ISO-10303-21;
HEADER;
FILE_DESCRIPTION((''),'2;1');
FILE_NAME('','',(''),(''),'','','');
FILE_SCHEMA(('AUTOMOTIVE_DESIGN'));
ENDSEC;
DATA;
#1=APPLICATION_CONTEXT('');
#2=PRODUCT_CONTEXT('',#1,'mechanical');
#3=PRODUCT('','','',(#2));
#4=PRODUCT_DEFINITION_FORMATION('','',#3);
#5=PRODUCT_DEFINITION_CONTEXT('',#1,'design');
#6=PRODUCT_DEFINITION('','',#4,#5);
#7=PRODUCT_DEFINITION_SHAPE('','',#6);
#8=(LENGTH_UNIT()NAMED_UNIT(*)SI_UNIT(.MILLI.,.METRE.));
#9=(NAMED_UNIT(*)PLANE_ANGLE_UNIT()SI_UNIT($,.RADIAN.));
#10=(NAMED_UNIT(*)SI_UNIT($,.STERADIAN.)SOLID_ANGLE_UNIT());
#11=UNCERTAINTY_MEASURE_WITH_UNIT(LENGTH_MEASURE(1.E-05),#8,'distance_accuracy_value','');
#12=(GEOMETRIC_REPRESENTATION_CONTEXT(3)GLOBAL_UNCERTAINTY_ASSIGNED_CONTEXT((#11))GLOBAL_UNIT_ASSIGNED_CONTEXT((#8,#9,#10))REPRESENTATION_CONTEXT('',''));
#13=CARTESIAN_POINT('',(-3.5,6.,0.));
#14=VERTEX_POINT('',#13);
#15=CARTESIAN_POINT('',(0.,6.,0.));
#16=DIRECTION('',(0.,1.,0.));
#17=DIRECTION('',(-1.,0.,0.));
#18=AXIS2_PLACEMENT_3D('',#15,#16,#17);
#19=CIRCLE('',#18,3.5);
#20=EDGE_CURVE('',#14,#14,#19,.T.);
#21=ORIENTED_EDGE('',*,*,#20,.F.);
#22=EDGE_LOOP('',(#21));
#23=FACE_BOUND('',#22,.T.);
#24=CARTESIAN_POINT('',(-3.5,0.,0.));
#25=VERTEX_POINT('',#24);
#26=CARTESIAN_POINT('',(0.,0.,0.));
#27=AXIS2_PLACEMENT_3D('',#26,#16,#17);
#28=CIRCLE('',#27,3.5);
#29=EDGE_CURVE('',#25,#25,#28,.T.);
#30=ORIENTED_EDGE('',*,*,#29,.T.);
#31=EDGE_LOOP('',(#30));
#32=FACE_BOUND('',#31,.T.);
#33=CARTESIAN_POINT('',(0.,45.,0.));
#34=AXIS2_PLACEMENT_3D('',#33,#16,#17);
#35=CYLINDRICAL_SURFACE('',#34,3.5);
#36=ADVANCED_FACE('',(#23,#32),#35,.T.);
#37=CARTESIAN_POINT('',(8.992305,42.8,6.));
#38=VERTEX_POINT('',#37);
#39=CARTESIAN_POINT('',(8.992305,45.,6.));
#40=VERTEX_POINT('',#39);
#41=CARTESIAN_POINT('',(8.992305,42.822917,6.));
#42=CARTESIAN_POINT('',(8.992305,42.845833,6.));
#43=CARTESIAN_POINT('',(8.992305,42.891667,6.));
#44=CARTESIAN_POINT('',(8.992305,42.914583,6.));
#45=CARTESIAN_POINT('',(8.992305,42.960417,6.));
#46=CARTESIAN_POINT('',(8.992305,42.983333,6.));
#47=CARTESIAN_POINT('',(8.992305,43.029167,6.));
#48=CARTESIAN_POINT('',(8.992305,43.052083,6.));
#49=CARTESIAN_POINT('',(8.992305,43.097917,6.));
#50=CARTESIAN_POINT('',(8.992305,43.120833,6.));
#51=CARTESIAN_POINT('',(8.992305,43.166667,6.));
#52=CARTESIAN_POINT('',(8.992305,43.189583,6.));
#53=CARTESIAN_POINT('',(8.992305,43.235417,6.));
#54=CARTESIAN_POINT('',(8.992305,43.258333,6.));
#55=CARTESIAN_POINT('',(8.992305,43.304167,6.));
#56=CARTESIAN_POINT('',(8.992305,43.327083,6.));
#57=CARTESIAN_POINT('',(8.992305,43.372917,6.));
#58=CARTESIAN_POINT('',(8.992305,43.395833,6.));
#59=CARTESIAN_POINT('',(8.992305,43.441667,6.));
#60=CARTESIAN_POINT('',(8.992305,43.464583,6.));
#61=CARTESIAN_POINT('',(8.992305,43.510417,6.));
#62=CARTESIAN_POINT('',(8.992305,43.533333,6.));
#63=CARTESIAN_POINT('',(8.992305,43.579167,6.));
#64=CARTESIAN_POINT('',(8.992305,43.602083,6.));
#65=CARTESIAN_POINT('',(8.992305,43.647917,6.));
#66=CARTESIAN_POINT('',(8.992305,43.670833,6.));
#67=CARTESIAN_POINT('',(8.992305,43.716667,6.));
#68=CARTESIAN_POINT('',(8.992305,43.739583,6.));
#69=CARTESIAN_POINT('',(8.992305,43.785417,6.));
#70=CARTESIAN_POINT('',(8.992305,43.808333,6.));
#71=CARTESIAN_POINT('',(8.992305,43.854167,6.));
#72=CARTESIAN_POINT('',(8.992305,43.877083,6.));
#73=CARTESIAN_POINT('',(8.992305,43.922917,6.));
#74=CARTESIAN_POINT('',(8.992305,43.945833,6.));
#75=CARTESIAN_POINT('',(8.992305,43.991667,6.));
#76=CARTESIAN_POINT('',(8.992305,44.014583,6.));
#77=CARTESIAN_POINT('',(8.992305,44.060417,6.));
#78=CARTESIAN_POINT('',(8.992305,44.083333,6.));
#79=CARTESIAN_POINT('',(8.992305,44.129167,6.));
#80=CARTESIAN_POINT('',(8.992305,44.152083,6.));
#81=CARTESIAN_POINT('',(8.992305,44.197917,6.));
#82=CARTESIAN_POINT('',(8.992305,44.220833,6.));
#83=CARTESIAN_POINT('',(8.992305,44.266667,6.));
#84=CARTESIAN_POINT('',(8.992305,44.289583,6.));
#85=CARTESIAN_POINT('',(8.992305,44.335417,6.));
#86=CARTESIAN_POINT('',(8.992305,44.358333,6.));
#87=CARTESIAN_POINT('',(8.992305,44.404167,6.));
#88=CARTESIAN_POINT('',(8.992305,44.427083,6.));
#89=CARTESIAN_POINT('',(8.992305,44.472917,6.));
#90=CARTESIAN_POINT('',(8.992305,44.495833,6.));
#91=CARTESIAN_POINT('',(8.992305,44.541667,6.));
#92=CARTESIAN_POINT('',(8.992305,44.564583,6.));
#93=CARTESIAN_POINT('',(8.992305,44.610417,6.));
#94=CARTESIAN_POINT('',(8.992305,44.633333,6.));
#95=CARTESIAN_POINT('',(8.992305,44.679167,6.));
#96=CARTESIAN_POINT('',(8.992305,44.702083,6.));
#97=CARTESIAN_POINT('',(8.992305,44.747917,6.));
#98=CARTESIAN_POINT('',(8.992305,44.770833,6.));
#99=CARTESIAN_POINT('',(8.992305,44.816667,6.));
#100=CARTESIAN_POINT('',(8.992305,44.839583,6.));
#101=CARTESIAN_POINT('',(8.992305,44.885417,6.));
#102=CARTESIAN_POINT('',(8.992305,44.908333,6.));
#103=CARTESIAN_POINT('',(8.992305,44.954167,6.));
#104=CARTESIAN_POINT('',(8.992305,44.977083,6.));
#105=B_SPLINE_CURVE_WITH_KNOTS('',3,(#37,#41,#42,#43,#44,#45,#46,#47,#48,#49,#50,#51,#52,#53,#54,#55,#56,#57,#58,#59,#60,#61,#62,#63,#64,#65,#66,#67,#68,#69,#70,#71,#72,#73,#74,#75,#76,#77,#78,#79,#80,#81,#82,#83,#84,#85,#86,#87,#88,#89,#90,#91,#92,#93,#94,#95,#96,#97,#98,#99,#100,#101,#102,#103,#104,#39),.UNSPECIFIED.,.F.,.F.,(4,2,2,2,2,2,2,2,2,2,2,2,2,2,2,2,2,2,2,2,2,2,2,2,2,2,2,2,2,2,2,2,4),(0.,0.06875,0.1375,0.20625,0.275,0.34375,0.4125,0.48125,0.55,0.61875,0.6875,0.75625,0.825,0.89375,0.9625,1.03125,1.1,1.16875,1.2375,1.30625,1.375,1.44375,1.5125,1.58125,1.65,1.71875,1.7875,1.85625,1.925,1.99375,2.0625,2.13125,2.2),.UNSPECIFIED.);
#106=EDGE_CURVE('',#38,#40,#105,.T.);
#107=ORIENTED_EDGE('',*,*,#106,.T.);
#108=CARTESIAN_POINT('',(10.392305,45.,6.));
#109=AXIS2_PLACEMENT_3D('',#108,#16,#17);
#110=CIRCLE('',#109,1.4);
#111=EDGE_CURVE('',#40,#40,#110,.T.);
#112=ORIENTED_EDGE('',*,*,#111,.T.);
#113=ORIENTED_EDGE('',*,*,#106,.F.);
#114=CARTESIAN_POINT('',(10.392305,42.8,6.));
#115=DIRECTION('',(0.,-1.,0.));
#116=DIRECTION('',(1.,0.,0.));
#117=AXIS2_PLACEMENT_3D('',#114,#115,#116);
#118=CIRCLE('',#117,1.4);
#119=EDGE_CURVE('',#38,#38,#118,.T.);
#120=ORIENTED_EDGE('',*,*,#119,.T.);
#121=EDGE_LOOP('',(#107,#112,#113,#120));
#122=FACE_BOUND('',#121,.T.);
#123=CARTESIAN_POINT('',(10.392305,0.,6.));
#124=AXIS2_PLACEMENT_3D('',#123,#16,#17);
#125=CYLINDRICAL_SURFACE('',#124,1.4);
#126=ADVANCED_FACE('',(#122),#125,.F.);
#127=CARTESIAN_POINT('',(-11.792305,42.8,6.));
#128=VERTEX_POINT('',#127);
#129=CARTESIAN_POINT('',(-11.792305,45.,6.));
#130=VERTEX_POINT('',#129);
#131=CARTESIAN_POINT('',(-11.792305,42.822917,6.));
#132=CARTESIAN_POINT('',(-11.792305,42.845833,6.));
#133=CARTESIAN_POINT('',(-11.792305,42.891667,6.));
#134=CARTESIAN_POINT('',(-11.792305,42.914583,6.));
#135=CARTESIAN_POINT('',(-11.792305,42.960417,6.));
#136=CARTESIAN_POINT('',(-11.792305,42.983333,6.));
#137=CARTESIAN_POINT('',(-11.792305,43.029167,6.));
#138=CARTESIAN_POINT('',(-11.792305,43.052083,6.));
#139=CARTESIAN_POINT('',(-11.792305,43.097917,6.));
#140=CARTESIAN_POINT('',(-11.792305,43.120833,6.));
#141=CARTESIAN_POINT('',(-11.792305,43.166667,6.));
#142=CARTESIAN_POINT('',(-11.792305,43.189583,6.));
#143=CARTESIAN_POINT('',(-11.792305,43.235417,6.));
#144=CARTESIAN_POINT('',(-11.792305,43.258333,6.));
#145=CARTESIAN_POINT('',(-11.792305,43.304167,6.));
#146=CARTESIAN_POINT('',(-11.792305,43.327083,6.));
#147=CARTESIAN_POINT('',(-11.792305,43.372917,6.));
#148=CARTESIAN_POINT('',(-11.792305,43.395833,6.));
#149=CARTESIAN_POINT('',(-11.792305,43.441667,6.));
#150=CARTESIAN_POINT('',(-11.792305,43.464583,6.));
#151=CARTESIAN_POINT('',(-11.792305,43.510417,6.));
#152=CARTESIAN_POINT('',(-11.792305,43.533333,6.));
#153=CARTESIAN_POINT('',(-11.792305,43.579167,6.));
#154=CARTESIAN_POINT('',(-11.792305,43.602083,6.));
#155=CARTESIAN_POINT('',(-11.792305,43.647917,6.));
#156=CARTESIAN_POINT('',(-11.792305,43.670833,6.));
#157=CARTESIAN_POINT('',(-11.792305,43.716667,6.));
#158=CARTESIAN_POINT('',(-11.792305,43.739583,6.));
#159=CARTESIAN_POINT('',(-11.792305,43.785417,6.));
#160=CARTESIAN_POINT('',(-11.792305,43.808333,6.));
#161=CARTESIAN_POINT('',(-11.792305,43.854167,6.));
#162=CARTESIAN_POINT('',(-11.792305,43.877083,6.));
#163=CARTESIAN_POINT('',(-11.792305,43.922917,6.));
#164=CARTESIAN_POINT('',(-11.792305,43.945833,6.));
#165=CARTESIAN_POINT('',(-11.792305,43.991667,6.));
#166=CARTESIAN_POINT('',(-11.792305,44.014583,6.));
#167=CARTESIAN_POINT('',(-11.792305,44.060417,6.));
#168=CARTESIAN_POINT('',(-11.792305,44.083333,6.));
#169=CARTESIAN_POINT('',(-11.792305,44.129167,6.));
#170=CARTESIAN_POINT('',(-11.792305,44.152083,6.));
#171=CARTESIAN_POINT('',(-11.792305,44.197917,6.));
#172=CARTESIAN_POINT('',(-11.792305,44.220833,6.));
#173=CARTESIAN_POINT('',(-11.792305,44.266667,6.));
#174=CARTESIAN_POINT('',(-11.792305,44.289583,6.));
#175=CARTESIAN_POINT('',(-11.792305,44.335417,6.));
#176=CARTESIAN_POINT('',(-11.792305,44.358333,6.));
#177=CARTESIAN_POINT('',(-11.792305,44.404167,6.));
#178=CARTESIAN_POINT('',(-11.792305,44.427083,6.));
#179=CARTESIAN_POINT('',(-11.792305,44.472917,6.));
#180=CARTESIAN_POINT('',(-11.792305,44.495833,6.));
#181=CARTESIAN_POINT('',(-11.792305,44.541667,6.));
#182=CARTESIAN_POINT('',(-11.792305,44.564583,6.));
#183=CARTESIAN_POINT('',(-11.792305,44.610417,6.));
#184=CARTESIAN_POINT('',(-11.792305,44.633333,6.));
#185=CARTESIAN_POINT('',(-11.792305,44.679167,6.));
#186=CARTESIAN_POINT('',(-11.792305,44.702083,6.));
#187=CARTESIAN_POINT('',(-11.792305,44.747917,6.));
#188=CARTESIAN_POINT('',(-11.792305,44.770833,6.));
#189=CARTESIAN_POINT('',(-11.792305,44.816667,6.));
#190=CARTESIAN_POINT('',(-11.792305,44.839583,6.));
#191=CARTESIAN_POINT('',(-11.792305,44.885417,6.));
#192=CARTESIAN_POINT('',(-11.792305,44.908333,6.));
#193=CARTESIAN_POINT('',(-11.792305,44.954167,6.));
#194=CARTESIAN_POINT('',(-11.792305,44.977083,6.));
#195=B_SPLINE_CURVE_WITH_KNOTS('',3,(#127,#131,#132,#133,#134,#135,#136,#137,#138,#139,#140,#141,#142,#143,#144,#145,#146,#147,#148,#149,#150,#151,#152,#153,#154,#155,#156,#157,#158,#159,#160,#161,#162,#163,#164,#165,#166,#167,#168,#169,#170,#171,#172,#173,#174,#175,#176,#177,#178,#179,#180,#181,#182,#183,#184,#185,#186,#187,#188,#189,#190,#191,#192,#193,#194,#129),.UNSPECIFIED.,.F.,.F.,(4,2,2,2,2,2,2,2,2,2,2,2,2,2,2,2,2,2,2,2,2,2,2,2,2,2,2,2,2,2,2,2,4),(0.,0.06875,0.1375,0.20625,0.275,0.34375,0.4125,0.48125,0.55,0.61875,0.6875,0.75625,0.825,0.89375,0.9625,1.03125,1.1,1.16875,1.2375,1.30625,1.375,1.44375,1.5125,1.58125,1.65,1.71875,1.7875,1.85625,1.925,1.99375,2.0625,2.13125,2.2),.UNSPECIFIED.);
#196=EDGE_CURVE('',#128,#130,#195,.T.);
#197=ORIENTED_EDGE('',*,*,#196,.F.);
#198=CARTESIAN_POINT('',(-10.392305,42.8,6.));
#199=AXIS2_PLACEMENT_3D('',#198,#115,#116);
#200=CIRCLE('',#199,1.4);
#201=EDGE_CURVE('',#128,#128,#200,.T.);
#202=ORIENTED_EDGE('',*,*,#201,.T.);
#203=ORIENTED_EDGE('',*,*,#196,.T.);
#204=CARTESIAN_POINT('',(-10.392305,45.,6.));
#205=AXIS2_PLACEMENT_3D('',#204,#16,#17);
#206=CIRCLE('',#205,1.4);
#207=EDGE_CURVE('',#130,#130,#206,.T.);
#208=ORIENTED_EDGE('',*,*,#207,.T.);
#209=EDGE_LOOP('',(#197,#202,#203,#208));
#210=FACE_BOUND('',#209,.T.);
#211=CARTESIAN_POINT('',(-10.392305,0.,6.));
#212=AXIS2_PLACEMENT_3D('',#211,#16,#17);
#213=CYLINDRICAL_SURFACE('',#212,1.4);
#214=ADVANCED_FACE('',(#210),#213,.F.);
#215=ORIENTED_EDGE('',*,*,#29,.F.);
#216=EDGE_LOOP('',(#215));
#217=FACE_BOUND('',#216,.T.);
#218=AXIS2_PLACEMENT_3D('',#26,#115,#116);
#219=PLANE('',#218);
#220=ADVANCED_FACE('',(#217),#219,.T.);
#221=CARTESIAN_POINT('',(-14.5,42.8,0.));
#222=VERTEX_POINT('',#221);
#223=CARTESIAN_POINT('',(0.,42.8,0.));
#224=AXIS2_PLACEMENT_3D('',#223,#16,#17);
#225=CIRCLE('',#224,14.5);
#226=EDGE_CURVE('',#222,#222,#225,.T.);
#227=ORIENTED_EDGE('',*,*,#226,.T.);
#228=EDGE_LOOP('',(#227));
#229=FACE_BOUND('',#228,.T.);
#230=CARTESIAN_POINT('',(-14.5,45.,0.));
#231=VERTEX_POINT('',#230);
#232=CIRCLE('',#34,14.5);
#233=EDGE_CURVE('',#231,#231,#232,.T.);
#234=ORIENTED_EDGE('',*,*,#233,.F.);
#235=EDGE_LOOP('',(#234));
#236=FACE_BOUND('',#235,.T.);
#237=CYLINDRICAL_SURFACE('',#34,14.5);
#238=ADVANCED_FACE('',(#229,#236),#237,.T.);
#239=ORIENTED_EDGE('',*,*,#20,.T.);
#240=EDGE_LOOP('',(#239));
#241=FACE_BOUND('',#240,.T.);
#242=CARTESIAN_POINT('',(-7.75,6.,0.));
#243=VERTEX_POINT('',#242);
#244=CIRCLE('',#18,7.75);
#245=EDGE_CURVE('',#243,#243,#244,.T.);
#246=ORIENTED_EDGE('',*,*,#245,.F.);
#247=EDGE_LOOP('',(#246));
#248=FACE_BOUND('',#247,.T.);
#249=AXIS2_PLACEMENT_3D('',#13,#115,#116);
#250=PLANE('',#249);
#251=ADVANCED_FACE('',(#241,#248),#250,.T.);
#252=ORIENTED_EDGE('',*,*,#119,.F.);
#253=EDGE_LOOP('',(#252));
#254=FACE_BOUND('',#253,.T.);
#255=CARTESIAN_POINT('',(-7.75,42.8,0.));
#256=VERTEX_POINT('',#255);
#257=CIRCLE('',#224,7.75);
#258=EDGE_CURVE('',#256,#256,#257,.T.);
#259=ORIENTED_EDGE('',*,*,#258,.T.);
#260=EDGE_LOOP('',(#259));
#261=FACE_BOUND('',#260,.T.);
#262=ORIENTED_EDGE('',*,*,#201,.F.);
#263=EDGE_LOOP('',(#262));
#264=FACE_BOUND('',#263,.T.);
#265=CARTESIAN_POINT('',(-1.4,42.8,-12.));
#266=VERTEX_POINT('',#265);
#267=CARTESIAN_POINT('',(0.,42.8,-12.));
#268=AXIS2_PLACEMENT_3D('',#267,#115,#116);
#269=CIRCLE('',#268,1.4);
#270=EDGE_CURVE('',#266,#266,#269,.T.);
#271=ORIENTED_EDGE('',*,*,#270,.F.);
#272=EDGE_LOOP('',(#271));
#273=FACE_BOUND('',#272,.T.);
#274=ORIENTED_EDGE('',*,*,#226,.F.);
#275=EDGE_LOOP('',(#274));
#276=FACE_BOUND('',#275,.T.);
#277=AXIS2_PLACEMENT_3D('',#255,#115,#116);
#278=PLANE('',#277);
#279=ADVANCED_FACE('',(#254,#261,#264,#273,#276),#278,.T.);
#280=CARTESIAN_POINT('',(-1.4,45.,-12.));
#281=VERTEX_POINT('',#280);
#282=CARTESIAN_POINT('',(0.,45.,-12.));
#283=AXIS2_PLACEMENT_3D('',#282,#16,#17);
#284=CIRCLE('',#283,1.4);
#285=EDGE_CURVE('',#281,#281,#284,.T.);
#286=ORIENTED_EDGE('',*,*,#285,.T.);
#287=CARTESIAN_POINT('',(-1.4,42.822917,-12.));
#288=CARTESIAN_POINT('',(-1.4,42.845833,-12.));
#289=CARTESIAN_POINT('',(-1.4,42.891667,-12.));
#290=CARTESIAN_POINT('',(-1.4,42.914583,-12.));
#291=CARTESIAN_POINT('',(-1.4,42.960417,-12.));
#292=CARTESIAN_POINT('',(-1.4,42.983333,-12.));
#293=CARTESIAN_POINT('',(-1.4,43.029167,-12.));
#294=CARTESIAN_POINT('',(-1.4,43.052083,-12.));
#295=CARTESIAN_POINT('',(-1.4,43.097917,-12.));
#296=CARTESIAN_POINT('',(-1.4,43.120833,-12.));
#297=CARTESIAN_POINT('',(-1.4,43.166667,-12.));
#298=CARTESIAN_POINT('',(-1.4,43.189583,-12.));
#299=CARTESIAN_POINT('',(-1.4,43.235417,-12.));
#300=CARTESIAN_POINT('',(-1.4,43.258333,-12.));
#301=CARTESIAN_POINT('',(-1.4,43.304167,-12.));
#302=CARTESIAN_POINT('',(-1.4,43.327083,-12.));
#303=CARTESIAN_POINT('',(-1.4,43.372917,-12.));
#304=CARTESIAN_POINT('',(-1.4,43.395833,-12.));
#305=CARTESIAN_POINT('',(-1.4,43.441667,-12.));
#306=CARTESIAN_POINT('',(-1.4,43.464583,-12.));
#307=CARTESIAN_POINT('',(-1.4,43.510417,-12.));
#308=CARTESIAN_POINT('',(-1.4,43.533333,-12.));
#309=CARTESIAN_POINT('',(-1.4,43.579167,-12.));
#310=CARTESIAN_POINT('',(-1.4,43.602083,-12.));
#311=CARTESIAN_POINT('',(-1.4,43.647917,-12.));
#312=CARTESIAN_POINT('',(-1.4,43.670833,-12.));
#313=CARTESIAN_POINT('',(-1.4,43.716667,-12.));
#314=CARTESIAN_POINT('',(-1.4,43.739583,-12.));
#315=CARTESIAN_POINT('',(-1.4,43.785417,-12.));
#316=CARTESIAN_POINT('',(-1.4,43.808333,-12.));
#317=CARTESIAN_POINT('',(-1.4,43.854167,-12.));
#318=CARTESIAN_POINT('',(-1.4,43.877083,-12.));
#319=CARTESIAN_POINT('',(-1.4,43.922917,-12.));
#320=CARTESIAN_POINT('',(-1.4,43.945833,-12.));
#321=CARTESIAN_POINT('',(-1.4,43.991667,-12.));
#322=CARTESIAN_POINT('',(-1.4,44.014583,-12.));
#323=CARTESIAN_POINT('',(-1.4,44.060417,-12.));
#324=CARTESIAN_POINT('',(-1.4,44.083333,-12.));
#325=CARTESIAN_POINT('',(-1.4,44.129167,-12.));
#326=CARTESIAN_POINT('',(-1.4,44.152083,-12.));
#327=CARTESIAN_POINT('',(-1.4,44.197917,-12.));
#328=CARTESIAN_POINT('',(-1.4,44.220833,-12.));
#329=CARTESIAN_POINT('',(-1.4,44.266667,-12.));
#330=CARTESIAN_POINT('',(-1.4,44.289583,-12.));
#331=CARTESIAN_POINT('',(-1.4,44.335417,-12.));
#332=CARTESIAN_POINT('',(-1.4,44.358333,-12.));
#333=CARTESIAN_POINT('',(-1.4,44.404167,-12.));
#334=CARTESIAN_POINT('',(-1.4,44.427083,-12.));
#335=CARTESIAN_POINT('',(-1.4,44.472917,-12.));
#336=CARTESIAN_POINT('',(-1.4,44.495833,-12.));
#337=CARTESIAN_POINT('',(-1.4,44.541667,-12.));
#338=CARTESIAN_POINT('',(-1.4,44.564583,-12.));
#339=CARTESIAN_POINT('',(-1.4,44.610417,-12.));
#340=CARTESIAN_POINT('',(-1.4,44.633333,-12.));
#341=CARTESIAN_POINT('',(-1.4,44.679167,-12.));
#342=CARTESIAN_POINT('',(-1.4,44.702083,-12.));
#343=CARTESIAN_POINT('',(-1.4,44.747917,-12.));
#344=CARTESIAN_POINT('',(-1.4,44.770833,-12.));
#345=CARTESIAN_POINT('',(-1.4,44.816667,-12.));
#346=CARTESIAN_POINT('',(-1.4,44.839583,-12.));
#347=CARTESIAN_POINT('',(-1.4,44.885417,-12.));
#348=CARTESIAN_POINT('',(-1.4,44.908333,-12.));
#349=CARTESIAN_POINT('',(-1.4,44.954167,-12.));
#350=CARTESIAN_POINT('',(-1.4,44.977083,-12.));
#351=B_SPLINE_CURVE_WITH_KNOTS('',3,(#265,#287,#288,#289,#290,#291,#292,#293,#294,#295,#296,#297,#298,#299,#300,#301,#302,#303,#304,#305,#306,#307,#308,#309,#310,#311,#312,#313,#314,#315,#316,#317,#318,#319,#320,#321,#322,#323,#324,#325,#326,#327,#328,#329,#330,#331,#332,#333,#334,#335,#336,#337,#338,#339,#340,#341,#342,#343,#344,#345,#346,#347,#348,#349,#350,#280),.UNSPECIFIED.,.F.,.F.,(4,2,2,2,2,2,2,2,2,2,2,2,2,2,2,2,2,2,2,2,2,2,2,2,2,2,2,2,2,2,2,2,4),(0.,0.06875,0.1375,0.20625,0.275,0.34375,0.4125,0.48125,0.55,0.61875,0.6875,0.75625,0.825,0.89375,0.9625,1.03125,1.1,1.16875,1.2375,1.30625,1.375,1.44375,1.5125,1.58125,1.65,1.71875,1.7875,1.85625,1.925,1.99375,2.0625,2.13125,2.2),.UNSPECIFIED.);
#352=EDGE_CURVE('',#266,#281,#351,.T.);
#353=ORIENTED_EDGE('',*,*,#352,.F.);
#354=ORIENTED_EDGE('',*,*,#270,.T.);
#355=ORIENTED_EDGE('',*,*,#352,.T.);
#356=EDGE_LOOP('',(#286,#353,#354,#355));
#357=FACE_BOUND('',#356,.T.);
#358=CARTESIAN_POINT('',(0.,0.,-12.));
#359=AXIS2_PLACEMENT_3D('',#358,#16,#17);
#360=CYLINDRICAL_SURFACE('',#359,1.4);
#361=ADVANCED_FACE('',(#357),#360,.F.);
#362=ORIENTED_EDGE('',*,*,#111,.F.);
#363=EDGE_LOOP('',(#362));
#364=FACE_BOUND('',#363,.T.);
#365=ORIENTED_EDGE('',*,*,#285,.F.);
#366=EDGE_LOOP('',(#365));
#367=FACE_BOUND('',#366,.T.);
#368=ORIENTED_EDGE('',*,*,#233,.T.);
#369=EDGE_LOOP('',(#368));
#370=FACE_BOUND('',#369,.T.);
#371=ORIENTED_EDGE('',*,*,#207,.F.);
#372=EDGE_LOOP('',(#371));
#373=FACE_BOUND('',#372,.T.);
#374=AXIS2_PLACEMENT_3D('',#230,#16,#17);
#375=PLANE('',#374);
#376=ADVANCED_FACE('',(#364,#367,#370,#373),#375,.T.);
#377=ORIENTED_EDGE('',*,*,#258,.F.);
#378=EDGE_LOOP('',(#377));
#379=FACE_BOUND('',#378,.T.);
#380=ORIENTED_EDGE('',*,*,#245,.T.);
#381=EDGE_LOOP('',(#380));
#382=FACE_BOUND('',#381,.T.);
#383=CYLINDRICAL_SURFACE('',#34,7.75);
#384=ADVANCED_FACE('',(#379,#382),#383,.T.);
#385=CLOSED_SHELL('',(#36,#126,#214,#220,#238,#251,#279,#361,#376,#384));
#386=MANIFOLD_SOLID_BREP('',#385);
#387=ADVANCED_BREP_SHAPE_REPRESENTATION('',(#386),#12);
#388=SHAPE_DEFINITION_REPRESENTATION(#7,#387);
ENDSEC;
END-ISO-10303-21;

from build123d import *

# Parameters (mm, degrees)
SKETCH_2_R          = 1.4
CUT_EXTRUDE_1_DEPTH = 50.451996926


with BuildPart() as part:
    # 草图1 → 旋转1 (revolve)
    with BuildSketch(Plane.XY):
        Polygon((0, 0), (-3.5, 0), (-3.5, 6), (-7.75, 6), (-7.75, 42.8), (-14.5, 42.8), (-14.5, 45), (0, 45), align=None)
    revolve(axis=Axis((0, 45, 0), (0, -1, 0)))

    # 草图2 → 切除-拉伸1 (cut, through all)
    with BuildSketch(Plane(origin=(0, 45, 0), x_dir=(1, 0, 0), z_dir=(0, 1, 0))):
        with Locations(Location((0, 12, 0), (0, 0, 180))):
            Circle(SKETCH_2_R)
        with Locations(Location((10.392304845, -6, 0), (0, 0, 180))):
            Circle(SKETCH_2_R)
        with Locations(Location((-10.392304845, -6, 0), (0, 0, 180))):
            Circle(SKETCH_2_R)
    extrude(amount=-CUT_EXTRUDE_1_DEPTH, mode=Mode.SUBTRACT)


solid = part.part
